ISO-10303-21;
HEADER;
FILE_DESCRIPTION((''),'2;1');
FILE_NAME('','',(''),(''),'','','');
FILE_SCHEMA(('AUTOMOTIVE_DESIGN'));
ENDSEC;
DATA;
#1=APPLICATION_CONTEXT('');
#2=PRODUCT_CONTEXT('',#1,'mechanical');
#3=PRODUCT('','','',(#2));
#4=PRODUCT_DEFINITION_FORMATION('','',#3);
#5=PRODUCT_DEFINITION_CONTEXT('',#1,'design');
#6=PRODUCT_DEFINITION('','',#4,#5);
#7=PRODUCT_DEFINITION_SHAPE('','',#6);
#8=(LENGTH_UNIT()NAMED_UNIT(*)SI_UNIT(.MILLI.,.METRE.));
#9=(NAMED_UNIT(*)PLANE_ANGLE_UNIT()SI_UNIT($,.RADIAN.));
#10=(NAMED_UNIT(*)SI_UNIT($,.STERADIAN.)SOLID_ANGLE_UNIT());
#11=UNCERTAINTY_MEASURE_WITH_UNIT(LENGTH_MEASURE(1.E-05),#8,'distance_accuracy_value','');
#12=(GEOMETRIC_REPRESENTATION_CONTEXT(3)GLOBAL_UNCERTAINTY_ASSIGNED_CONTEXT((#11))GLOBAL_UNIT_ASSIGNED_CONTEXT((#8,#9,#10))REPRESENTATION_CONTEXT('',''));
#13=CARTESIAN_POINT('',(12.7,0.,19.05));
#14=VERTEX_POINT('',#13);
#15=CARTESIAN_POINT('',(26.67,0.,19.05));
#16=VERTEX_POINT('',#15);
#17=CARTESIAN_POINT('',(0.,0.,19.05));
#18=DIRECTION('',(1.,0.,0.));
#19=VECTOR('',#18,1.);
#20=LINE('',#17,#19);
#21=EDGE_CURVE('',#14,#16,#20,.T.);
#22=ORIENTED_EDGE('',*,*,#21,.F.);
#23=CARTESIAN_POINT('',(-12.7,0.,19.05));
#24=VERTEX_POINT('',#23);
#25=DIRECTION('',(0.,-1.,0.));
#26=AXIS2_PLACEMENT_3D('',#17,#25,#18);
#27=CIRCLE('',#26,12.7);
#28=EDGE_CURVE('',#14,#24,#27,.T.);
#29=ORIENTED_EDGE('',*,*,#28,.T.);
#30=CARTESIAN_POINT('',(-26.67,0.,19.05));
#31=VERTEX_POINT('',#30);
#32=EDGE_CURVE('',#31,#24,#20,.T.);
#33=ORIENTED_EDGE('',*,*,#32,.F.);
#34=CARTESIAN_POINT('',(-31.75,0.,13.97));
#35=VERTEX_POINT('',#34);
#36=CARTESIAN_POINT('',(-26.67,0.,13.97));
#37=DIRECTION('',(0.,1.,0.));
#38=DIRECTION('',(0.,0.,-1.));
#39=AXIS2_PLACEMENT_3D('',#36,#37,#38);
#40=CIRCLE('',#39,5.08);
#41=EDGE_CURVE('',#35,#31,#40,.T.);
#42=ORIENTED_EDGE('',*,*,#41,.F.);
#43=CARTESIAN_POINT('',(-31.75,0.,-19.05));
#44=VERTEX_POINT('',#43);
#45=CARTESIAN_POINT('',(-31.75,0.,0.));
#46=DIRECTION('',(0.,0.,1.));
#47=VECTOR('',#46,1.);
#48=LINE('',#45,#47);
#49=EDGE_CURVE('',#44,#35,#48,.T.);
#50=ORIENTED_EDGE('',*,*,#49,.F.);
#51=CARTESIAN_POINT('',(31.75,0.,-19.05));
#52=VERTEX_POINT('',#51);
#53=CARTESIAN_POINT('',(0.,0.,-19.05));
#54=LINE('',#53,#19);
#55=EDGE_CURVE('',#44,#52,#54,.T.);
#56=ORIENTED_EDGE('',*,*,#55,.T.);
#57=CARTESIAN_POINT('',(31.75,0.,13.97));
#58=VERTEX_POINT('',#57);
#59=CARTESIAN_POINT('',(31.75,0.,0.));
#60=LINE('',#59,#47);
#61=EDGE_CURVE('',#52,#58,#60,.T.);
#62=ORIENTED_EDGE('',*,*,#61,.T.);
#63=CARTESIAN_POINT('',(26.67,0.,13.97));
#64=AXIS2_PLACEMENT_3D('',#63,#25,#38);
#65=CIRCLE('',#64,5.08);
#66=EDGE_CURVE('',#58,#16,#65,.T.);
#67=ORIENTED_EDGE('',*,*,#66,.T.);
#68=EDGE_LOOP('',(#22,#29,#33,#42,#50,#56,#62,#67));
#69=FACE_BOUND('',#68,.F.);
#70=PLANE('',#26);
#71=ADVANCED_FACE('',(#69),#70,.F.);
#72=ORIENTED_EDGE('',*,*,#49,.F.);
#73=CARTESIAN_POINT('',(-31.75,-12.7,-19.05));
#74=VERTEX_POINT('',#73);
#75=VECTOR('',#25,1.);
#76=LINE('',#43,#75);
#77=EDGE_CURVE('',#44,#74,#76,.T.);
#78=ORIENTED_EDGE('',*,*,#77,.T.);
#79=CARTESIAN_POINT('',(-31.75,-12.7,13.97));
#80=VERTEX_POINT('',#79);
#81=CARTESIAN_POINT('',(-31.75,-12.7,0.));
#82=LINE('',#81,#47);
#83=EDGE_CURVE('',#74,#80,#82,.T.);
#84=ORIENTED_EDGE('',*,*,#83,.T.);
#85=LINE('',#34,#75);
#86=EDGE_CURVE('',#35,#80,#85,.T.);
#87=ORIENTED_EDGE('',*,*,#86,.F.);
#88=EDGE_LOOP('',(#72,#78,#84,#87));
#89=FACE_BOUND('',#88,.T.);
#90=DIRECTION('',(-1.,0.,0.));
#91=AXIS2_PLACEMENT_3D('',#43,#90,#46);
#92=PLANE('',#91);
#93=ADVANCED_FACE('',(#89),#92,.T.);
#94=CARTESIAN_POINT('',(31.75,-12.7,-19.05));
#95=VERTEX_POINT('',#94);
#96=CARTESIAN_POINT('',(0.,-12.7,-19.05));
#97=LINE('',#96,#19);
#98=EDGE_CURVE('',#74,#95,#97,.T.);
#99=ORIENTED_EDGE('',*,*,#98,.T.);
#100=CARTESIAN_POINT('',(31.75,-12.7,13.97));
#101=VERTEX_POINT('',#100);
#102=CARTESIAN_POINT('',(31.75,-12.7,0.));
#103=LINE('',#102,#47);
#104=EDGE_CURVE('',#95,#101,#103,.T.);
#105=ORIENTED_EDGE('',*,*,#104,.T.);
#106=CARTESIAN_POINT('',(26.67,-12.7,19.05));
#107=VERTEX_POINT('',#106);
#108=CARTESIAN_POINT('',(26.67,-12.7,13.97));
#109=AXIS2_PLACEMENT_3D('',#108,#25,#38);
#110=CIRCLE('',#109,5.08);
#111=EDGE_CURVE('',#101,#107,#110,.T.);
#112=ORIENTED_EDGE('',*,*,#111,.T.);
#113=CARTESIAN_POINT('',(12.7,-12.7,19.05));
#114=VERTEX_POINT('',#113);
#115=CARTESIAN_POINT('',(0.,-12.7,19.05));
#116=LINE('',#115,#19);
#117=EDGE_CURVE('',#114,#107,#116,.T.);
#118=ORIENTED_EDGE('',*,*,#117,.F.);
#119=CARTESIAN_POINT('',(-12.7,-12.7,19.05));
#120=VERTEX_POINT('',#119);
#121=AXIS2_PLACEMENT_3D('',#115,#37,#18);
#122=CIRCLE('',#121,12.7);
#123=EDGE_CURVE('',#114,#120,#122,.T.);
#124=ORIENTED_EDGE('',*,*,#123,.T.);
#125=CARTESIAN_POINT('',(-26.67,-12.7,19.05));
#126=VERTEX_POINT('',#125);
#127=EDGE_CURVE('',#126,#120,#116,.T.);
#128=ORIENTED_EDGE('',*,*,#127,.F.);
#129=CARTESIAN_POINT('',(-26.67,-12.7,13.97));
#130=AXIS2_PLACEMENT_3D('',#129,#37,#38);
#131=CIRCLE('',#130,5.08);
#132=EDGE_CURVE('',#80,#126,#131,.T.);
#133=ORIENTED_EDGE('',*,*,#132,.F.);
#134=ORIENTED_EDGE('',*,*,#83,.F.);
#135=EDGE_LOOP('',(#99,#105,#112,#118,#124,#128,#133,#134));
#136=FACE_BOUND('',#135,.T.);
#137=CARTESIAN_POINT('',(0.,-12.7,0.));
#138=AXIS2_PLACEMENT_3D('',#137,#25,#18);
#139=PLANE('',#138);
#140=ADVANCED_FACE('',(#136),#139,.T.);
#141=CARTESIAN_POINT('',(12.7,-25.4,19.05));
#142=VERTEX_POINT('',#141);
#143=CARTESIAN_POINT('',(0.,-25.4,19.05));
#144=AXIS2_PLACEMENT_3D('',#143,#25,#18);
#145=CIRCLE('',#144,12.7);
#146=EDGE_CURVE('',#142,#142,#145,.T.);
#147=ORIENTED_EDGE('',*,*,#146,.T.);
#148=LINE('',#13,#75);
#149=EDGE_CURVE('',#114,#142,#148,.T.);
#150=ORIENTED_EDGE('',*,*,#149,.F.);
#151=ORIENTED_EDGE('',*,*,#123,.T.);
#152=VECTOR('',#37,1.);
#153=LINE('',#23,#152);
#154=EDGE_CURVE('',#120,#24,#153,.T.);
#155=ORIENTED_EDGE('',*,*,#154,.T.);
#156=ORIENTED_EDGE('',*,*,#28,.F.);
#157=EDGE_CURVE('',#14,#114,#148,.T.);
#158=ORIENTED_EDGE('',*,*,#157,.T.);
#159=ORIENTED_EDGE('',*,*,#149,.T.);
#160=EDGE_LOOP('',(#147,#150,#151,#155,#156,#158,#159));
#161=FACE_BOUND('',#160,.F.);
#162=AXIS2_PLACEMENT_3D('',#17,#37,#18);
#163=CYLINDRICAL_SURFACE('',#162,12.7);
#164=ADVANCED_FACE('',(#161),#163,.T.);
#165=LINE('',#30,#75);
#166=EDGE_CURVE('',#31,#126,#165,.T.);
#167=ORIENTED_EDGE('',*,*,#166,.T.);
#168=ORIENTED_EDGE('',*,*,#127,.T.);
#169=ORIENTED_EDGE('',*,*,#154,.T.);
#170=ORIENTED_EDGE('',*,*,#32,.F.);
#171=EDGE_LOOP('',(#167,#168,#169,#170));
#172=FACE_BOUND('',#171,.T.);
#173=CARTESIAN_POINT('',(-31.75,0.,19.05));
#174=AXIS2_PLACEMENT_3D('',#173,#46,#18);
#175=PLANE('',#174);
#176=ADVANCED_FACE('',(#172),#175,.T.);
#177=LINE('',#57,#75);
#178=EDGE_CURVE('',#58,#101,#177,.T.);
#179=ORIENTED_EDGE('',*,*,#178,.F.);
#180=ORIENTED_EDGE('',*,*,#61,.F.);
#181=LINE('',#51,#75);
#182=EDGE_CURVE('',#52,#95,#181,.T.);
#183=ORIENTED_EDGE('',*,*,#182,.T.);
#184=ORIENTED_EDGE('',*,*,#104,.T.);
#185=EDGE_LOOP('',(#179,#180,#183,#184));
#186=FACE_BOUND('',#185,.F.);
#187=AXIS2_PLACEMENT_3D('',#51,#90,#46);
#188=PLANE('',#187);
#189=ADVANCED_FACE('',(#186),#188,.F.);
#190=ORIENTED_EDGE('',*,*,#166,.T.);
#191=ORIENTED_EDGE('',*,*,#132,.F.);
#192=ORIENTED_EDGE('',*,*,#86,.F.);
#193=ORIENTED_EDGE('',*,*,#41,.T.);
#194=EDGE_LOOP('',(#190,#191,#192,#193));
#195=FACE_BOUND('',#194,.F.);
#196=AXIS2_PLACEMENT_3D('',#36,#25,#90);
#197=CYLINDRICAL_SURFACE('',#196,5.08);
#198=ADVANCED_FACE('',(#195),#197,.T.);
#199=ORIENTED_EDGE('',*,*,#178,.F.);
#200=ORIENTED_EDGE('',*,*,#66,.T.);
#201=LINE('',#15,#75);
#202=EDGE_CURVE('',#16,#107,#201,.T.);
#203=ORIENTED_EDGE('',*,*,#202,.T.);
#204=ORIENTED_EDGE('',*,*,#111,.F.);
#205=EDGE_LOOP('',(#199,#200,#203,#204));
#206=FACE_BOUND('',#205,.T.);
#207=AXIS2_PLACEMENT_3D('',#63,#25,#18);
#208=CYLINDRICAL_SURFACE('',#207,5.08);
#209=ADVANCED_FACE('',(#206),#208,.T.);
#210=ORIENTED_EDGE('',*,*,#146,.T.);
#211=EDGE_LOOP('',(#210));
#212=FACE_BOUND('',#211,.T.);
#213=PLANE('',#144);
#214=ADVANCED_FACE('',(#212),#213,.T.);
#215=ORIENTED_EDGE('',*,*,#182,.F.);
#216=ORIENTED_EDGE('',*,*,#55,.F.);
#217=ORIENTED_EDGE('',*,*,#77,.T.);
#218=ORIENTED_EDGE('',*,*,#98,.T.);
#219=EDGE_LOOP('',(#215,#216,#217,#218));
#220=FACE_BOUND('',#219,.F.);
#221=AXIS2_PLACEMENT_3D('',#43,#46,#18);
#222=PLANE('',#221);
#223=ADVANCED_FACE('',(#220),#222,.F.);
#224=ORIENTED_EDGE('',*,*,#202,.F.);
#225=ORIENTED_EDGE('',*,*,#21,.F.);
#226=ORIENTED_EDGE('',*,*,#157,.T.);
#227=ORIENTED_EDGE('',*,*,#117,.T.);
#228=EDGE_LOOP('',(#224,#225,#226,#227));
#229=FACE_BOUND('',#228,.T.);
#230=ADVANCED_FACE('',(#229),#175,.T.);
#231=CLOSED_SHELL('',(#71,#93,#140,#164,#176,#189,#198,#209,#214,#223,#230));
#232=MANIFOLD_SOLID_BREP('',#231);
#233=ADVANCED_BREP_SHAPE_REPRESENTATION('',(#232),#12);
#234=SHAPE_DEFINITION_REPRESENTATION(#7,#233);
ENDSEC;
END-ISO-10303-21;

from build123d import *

# Parameters (mm, degrees)
F0_W     = 63.5
F0_H     = 38.1
F1_DEPTH = 12.7
F2_R     = 5.08
F3_R     = 12.7
F4_DEPTH = 25.4


with BuildPart() as f1:
    # F0 (on Front) → F1 (new body)
    with BuildSketch(Plane.XZ):
        Rectangle(F0_W, F0_H)
    extrude(amount=F1_DEPTH)

    # F2
    f2_edges = [f1.edges().sort_by_distance(p)[0] for p in [
        (31.75, -6.35, 19.05),
        (-31.75, -6.35, 19.05),
    ]]
    fillet(f2_edges, radius=F2_R)

    # F3 (on Front) → F4 (join)
    with BuildSketch(Plane.XZ):
        with Locations((0, 19.05)):
            Circle(F3_R)
    extrude(amount=F4_DEPTH)


solid = f1.part
